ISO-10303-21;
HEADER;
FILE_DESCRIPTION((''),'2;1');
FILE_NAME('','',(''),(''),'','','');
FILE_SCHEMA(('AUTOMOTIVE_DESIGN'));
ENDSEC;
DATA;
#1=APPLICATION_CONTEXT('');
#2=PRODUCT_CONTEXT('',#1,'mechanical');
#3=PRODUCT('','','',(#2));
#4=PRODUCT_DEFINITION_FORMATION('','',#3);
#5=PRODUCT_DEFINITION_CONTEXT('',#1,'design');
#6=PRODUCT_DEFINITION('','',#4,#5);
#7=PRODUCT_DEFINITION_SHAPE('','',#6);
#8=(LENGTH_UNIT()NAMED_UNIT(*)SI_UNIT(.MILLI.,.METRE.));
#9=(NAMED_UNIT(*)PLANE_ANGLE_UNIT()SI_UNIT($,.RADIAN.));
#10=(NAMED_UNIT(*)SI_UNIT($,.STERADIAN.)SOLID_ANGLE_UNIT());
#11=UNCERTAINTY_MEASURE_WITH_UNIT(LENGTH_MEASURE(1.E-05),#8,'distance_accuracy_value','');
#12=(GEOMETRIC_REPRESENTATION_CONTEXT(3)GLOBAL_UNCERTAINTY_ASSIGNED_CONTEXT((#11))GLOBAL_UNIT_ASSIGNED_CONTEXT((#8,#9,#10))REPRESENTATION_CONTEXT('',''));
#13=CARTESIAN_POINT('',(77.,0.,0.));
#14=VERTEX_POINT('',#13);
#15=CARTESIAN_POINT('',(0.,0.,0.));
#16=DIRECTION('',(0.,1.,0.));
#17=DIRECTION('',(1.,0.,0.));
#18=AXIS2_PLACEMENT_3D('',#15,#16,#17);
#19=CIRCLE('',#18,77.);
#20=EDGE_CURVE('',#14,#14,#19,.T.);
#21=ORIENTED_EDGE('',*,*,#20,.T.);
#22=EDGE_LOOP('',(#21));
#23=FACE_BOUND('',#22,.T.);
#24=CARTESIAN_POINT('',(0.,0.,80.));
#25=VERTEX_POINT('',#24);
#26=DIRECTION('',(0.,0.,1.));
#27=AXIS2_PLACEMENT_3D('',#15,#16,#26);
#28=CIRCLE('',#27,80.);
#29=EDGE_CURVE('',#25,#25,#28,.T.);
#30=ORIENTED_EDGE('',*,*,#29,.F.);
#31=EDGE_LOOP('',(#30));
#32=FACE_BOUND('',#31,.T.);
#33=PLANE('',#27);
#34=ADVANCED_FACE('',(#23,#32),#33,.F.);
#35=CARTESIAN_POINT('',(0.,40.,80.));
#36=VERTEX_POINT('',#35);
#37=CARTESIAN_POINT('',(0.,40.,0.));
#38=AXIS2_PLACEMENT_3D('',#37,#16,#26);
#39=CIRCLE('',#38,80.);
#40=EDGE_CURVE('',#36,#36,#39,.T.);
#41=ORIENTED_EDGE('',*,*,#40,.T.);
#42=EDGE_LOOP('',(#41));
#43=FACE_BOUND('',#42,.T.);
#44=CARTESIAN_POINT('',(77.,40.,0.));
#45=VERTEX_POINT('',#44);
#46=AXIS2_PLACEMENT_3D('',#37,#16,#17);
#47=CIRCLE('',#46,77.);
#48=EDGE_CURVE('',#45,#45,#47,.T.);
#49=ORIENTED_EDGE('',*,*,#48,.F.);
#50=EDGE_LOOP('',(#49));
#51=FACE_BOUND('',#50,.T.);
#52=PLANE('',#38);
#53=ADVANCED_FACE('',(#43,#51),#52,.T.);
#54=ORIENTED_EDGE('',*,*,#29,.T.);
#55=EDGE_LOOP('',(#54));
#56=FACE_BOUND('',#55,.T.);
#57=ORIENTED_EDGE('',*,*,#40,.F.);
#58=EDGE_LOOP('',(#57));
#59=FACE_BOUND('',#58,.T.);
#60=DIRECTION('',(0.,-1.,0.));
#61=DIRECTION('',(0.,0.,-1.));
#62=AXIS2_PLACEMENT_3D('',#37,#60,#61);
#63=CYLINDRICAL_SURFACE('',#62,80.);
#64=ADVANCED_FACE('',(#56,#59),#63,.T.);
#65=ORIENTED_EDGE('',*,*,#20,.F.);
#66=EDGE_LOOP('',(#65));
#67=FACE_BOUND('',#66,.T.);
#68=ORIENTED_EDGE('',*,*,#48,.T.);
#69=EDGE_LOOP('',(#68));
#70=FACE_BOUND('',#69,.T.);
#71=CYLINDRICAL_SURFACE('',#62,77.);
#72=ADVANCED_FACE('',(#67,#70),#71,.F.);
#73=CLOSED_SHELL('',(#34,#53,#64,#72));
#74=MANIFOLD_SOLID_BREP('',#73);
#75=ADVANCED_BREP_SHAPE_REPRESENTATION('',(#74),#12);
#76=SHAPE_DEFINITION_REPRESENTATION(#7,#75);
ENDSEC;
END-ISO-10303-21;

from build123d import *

# Parameters (mm, degrees)
SKETCH_1_R      = 80
SKETCH_1_R_2    = 77
EXTRUDE_1_DEPTH = 40


with BuildPart() as part:
    # Эскиз1 → Вытянуть-Тонкостенный1 (new body)
    with BuildSketch(Plane(origin=(0, 0, 0), x_dir=(1, 0, 0), z_dir=(0, 1, 0))):
        Circle(SKETCH_1_R)
        Circle(SKETCH_1_R_2, mode=Mode.SUBTRACT)
    extrude(amount=EXTRUDE_1_DEPTH)


solid = part.part
